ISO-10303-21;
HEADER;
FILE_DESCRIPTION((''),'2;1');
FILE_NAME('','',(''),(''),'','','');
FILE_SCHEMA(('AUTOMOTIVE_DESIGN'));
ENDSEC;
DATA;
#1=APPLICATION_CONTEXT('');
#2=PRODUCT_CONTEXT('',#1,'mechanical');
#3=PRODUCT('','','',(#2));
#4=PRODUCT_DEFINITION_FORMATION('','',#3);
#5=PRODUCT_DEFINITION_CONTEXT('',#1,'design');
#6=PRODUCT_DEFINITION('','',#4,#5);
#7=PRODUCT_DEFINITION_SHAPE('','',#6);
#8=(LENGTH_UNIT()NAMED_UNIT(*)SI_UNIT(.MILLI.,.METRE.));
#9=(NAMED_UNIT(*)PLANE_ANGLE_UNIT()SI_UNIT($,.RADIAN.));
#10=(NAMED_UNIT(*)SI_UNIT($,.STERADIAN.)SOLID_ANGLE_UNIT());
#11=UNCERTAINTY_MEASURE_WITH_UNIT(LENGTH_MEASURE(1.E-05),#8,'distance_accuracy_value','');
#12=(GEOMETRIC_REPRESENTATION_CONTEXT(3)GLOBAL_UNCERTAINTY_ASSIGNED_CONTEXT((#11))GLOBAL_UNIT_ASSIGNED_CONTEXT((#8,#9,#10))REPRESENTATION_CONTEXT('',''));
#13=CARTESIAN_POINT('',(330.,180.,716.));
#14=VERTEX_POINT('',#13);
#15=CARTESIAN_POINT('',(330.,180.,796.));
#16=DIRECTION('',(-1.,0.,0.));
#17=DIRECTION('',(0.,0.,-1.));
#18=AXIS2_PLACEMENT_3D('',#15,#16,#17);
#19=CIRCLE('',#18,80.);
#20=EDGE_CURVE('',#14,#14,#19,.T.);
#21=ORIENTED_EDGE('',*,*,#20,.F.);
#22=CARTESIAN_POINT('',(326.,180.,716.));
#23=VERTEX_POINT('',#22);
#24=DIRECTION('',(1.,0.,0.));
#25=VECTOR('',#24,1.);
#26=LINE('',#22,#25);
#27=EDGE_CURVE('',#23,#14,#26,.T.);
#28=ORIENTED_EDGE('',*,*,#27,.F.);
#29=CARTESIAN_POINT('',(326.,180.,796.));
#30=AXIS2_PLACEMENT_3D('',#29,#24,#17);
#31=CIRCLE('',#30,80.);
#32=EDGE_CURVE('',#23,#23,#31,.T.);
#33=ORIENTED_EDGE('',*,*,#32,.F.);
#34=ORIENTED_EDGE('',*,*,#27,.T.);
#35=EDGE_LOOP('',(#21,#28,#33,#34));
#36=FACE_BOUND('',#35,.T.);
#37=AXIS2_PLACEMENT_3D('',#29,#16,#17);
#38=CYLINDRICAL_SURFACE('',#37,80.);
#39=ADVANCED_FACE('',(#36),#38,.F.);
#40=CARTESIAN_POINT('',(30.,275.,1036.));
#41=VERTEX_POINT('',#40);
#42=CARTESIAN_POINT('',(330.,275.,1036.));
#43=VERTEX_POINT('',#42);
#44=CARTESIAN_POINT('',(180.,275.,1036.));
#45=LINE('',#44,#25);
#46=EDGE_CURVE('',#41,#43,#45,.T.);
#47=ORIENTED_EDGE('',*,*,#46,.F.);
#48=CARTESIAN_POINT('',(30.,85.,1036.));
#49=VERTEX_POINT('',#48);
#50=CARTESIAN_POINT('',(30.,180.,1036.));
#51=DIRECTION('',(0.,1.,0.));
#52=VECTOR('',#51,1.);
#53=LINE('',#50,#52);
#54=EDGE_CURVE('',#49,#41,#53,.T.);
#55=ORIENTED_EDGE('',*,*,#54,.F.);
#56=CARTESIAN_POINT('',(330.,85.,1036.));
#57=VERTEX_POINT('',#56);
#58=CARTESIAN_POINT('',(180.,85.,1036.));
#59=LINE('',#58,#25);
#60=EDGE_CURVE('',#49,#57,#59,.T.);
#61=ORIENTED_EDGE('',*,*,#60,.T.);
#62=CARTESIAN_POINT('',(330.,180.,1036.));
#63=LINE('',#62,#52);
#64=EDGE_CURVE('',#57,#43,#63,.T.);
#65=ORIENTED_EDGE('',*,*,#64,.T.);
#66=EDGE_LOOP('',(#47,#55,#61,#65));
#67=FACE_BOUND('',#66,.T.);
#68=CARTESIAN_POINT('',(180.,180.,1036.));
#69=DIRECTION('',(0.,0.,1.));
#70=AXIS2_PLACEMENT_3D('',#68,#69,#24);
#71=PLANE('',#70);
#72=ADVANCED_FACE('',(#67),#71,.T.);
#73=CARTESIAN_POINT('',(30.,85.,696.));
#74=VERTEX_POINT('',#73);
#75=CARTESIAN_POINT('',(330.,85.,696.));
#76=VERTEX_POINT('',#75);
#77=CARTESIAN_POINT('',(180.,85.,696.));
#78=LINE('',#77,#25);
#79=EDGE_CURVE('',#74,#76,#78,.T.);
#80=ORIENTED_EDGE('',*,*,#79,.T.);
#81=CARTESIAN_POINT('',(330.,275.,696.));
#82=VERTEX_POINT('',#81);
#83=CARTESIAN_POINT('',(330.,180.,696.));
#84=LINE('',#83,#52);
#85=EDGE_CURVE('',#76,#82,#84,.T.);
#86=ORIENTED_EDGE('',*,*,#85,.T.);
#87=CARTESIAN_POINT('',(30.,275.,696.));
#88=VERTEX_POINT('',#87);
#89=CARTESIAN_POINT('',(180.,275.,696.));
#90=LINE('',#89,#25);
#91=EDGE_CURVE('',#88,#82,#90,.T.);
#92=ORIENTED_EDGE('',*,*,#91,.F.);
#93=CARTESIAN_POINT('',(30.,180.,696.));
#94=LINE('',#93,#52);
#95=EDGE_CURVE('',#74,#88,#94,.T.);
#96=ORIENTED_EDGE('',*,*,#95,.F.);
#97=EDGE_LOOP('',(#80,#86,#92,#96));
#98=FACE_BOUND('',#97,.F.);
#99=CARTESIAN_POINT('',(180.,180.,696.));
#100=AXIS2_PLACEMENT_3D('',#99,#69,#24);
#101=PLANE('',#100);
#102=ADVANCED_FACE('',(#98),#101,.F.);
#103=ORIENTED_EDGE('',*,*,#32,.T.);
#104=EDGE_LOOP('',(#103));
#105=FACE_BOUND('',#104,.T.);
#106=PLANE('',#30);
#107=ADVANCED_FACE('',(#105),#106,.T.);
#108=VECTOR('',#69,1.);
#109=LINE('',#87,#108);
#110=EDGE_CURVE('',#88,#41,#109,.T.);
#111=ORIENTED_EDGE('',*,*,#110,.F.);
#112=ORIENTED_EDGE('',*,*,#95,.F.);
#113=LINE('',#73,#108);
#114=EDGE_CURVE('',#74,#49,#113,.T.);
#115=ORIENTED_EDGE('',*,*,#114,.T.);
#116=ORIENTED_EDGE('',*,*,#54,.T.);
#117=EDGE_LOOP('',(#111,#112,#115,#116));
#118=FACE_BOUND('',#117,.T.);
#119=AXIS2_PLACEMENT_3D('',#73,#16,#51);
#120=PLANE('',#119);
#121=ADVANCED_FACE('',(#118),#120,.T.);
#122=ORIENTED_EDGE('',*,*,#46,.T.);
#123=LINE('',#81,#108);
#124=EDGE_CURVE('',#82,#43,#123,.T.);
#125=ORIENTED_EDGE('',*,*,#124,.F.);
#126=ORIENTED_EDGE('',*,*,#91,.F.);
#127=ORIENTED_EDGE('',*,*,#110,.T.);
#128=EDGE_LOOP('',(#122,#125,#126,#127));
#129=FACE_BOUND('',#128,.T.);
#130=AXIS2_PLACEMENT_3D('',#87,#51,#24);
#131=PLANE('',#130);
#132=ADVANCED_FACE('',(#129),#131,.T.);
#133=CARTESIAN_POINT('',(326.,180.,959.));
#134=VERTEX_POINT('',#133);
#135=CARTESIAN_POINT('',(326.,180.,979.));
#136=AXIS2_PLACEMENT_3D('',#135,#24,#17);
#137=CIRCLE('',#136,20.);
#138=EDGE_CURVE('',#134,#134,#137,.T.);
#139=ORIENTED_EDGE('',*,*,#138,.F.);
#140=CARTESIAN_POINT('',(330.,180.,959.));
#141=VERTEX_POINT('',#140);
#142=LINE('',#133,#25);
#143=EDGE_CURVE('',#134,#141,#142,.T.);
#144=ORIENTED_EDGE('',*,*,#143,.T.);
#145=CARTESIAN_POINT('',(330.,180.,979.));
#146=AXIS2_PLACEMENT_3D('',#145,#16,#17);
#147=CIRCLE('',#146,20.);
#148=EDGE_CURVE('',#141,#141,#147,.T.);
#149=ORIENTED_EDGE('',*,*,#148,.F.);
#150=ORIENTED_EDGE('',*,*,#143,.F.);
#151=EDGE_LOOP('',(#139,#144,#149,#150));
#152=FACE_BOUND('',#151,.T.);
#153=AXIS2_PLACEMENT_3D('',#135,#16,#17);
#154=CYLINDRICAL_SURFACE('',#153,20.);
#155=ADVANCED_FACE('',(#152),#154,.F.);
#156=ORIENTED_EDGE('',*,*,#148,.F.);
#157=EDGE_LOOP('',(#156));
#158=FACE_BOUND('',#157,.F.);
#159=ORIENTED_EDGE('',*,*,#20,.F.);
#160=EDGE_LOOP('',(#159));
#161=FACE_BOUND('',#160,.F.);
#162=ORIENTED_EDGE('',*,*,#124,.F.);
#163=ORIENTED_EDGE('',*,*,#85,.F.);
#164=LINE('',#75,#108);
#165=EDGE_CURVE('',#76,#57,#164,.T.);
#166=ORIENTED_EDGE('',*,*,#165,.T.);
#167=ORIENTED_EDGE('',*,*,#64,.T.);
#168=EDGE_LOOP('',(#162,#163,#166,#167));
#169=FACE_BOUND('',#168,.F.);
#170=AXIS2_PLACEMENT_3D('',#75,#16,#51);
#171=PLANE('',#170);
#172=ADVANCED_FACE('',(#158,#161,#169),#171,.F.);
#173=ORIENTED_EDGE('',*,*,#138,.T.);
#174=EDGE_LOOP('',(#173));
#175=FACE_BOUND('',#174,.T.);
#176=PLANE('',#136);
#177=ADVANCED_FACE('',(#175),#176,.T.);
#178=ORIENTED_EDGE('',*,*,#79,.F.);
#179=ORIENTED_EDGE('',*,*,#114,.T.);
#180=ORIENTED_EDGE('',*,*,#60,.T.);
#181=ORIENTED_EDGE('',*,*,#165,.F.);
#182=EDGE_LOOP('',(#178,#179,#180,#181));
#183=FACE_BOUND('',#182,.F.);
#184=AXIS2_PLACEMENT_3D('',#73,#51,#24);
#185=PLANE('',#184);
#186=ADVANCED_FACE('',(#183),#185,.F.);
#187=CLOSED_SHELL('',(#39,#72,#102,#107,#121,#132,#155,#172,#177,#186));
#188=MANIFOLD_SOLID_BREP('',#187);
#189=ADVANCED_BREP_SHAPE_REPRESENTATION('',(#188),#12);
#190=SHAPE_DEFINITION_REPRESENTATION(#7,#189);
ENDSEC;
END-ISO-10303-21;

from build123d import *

# Parameters (mm, degrees)
CYLINDER003_R     = 20
CYLINDER003_DEPTH = 10
CYLINDER002_R     = 80
CYLINDER002_DEPTH = 10
BOX006_W          = 300
BOX006_H          = 190
BOX006_DEPTH      = 340


with BuildPart() as cylinder003:
    # Cylinder003 → Cylinder003 (new body)
    with BuildSketch(Plane(origin=(296, 95, 1133), x_dir=(0, 0, -1), z_dir=(1, 0, 0))):
        Circle(CYLINDER003_R)
    extrude(amount=CYLINDER003_DEPTH)


with BuildPart() as cylinder002:
    # Cylinder002 → Cylinder002 (new body)
    with BuildSketch(Plane(origin=(296, 95, 950), x_dir=(0, 0, -1), z_dir=(1, 0, 0))):
        Circle(CYLINDER002_R)
    extrude(amount=CYLINDER002_DEPTH)


with BuildPart() as speaker002:
    # Box006 → Box006 (new body)
    with BuildSketch(Plane.XY.offset(850)):
        with Locations((150, 95)):
            Rectangle(BOX006_W, BOX006_H)
    extrude(amount=BOX006_DEPTH)

    # Cut003: cut Cylinder002
    add(cylinder002.part, mode=Mode.SUBTRACT)

    # Cut002: cut Cylinder003
    add(cylinder003.part, mode=Mode.SUBTRACT)


with BuildPart() as speaker002_1:
    # Cut002 placement: moved
    add(speaker002.part.moved(Location((30, 85, -154))))


solid = speaker002_1.part
